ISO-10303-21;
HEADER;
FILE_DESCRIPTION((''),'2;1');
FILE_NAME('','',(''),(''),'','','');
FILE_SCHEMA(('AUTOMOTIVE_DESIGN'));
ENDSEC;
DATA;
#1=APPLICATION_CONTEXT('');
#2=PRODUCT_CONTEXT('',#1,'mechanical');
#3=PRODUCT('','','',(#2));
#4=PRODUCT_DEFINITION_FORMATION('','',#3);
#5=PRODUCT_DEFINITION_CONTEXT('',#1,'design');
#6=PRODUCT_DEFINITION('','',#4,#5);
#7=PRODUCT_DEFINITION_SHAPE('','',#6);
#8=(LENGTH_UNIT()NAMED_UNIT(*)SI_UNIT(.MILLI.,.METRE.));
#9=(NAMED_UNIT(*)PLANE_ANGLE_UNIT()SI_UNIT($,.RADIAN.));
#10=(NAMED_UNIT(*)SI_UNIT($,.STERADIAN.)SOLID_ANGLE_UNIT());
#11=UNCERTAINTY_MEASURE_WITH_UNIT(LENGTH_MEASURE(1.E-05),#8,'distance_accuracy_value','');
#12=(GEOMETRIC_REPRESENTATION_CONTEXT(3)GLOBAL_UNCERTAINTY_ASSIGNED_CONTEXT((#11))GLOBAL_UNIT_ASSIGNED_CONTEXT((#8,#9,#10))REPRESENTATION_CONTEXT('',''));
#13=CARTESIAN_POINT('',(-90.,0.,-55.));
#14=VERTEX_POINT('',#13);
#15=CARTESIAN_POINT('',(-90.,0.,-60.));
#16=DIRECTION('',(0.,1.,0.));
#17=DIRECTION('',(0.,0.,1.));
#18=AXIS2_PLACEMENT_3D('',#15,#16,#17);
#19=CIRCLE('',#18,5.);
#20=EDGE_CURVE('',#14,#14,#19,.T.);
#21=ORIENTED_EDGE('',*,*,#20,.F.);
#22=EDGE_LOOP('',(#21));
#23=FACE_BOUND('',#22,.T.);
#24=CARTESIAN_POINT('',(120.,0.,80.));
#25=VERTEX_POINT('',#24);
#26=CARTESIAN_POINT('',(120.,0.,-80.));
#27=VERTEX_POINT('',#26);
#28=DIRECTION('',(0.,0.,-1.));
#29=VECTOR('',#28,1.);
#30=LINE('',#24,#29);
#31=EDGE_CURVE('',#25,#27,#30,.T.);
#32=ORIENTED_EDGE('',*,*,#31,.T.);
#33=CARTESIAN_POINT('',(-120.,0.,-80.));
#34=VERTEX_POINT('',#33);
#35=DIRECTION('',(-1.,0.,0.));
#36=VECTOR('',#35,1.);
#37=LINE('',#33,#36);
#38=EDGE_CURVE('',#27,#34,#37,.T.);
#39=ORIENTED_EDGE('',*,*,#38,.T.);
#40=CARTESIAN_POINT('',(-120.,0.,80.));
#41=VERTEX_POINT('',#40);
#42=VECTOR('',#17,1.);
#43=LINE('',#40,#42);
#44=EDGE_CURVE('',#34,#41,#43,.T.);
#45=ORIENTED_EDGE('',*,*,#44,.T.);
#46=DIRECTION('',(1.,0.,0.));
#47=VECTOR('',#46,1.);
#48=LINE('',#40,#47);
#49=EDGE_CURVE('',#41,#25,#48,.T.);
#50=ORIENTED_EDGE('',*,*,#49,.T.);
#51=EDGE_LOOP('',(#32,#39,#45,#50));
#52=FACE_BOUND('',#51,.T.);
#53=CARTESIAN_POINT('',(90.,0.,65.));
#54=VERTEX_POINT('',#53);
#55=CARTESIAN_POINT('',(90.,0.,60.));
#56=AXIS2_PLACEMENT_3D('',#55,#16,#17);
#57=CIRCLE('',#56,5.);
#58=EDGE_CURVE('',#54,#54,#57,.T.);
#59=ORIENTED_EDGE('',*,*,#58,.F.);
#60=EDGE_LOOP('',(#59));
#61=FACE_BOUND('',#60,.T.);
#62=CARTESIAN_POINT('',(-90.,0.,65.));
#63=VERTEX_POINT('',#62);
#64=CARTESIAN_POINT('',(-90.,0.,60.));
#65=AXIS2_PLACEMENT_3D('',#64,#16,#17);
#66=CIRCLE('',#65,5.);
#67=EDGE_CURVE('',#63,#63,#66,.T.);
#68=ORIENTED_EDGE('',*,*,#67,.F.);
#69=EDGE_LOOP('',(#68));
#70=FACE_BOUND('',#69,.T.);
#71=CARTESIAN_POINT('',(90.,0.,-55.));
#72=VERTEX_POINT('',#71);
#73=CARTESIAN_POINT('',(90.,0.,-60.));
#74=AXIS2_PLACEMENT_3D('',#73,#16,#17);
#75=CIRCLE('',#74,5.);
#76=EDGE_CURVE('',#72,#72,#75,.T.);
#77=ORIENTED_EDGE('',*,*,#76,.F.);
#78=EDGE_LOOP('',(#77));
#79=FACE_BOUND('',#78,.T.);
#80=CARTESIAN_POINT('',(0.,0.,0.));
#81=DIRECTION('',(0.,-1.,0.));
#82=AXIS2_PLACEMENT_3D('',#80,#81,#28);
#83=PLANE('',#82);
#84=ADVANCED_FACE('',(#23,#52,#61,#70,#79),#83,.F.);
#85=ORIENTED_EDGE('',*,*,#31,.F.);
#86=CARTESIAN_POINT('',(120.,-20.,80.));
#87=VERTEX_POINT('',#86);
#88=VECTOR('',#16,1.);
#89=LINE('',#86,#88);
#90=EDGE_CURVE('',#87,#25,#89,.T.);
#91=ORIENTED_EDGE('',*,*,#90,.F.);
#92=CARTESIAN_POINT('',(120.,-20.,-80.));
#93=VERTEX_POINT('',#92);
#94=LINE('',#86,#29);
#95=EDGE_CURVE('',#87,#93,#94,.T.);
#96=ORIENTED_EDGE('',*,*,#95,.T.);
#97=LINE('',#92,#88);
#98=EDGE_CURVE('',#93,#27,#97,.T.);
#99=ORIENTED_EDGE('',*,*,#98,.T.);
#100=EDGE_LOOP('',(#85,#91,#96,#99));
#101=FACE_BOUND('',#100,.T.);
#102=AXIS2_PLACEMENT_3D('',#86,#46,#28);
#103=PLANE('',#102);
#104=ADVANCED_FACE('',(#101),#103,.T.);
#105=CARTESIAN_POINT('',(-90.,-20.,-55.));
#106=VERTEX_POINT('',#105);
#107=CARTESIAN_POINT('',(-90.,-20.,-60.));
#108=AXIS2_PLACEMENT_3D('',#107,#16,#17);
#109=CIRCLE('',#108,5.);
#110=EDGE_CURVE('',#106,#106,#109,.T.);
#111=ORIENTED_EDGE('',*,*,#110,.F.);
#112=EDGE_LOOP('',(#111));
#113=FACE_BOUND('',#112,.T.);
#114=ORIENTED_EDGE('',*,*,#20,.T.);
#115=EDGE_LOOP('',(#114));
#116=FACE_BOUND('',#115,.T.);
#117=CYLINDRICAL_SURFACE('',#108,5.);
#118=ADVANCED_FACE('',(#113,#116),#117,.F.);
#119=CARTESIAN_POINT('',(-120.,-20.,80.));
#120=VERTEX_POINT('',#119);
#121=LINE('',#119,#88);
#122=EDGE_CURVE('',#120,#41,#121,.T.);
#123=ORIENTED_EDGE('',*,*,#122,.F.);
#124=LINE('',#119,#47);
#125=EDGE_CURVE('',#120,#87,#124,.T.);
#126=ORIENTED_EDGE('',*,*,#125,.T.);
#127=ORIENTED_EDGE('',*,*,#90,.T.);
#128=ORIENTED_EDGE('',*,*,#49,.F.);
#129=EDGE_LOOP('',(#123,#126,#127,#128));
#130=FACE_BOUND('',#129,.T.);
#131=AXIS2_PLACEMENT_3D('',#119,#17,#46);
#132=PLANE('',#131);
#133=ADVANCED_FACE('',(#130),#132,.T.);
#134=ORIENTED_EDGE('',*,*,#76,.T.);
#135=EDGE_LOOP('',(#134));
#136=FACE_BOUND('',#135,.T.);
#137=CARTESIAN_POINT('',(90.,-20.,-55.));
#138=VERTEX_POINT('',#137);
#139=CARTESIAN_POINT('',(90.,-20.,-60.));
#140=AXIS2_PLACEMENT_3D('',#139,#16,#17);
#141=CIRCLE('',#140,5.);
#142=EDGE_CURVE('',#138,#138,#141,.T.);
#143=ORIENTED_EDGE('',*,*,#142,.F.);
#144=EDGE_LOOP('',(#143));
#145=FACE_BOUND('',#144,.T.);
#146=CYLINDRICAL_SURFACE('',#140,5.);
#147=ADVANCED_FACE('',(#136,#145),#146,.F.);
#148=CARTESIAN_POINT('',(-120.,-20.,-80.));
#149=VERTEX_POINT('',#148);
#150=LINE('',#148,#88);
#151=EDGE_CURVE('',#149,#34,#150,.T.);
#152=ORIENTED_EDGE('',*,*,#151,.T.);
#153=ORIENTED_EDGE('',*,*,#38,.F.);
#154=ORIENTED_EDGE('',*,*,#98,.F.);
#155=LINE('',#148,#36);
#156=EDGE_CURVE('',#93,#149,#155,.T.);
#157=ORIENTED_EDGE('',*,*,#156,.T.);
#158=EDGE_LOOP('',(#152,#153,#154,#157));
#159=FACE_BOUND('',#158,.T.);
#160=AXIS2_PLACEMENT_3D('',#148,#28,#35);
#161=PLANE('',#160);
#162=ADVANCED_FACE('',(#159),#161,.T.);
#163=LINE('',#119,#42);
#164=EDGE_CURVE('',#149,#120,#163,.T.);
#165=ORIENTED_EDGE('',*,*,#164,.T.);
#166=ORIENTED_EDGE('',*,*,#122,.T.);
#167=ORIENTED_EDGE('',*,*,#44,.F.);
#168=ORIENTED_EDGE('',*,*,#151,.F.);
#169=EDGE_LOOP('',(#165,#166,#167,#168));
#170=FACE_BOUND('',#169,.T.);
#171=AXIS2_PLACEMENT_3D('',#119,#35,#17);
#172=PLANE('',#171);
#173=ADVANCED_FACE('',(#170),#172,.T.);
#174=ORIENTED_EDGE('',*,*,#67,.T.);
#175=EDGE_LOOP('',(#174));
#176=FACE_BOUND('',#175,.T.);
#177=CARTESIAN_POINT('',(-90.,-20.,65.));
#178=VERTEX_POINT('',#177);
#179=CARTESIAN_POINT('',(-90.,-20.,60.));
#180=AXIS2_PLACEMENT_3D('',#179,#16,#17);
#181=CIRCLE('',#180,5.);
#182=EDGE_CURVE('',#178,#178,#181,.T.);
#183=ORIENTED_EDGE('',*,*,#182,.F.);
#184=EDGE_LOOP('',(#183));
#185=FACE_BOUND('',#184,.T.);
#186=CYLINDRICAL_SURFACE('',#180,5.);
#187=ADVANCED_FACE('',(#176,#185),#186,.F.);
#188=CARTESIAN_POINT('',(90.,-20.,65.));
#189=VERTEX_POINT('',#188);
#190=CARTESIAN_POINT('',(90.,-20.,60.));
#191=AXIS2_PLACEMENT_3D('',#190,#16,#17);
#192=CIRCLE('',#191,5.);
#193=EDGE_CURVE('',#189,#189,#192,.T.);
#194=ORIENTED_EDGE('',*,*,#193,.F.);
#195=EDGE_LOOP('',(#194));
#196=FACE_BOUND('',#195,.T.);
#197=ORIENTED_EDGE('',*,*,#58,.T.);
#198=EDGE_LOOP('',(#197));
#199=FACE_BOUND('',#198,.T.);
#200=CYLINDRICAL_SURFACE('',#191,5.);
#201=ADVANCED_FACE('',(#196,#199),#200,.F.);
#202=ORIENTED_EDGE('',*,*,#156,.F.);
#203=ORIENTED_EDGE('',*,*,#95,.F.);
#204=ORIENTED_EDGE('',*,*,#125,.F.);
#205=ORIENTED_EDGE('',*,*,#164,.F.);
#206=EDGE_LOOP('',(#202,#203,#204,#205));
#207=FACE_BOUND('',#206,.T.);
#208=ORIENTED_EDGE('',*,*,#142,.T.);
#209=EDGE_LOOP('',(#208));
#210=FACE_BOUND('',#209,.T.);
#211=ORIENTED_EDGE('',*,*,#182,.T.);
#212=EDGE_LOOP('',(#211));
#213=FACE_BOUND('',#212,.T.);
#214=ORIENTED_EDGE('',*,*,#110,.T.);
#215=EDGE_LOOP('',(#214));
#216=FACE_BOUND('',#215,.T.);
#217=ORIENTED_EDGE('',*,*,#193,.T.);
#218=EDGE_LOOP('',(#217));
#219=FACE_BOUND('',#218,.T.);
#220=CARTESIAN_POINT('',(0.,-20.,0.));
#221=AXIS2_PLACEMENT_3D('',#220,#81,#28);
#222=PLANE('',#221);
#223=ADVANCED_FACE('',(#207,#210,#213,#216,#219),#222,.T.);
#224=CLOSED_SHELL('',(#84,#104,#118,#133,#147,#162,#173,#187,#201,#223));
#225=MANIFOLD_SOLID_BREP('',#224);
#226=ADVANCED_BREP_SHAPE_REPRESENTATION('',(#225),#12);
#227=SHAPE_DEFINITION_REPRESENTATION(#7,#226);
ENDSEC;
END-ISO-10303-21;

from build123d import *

# Parameters (mm, degrees)
SKETCH_1_W          = 240
SKETCH_1_H          = 160
EXTRUDE_1_DEPTH     = 20
SKETCH_2_R          = 5
CUT_EXTRUDE_1_DEPTH = 20


with BuildPart() as part:
    # 草图1 → 凸台-拉伸1 (new body)
    with BuildSketch(Plane(origin=(0, 0, 0), x_dir=(1, 0, 0), z_dir=(0, 1, 0))):
        Rectangle(SKETCH_1_W, SKETCH_1_H)
    extrude(amount=-EXTRUDE_1_DEPTH)

    # 草图2 → 切除-拉伸1 (cut)
    with BuildSketch(Plane(origin=(0, 0, 0), x_dir=(1, 0, 0), z_dir=(0, 1, 0))):
        with Locations(Location((90, 60, 0), (0, 0, 270))):
            Circle(SKETCH_2_R)
        with Locations(Location((-90, 60, 0), (0, 0, 270))):
            Circle(SKETCH_2_R)
        with Locations(Location((90, -60, 0), (0, 0, 270))):
            Circle(SKETCH_2_R)
        with Locations(Location((-90, -60, 0), (0, 0, 270))):
            Circle(SKETCH_2_R)
    extrude(amount=-CUT_EXTRUDE_1_DEPTH, mode=Mode.SUBTRACT)


solid = part.part
